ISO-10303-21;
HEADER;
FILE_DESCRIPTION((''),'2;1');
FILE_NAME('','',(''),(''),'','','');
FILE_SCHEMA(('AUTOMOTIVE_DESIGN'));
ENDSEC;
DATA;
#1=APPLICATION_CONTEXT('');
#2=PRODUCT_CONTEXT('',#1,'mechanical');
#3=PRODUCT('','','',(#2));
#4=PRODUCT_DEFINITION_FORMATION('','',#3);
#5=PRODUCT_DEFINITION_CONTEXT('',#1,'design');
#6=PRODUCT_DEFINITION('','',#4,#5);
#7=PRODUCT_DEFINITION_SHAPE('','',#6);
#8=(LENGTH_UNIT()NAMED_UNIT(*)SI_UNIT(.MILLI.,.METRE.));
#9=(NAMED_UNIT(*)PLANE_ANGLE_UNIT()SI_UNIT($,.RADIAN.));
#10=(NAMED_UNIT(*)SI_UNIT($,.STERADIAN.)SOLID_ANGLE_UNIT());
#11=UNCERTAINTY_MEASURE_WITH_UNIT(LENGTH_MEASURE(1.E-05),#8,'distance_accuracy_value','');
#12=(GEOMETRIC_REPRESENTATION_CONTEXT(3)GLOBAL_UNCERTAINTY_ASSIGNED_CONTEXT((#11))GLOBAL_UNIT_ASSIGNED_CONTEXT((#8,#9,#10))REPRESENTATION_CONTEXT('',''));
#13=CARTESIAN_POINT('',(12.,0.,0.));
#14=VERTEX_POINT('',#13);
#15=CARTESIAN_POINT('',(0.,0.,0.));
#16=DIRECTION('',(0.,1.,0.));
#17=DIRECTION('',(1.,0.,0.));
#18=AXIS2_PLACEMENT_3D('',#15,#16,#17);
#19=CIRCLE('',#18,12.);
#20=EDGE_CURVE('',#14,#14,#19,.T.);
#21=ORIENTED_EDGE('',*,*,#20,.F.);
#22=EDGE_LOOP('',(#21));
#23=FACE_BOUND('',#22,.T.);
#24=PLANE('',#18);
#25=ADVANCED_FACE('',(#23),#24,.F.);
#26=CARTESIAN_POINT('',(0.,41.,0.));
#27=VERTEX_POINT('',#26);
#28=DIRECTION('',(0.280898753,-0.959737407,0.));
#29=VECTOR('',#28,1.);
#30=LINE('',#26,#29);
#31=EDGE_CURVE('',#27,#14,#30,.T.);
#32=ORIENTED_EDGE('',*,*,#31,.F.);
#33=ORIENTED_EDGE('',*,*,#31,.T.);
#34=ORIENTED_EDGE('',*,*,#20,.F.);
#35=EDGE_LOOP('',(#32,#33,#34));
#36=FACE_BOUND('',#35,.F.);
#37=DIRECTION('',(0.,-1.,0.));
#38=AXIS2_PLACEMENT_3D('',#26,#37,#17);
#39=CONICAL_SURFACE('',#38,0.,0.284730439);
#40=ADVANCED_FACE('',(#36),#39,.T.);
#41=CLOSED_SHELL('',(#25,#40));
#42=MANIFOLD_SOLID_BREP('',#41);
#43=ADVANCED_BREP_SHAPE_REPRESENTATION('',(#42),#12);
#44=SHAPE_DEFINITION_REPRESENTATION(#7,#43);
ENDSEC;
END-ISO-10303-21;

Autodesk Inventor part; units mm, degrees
ref_plane "YZ Plane" through (0, 0, 0) normal (1, 0, 0) x (0, 1, 0)
ref_plane "XZ Plane" through (0, 0, 0) normal (0, 1, 0) x (-1, 0, 0)
ref_plane "XY Plane" through (0, 0, 0) normal (0, 0, 1) x (1, 0, 0)
sketch "Esboço1" plane through (0, 0, 0) normal (0, 0, 1) x (1, 0, 0)
  line L0 (0, 0) -> (12, 0)
  line L1 (0, 0) -> (0, 41)
  line L2 (0, 41) -> (12, 0)
  dimension "d0" = 12
  dimension "d1" = 41
revolve "Revolução1" add sketch "Esboço1" angle 360 about axis through (0, 0, 0) along (0, 1, 0)
properties part number "cone" material "ABS plástico"
